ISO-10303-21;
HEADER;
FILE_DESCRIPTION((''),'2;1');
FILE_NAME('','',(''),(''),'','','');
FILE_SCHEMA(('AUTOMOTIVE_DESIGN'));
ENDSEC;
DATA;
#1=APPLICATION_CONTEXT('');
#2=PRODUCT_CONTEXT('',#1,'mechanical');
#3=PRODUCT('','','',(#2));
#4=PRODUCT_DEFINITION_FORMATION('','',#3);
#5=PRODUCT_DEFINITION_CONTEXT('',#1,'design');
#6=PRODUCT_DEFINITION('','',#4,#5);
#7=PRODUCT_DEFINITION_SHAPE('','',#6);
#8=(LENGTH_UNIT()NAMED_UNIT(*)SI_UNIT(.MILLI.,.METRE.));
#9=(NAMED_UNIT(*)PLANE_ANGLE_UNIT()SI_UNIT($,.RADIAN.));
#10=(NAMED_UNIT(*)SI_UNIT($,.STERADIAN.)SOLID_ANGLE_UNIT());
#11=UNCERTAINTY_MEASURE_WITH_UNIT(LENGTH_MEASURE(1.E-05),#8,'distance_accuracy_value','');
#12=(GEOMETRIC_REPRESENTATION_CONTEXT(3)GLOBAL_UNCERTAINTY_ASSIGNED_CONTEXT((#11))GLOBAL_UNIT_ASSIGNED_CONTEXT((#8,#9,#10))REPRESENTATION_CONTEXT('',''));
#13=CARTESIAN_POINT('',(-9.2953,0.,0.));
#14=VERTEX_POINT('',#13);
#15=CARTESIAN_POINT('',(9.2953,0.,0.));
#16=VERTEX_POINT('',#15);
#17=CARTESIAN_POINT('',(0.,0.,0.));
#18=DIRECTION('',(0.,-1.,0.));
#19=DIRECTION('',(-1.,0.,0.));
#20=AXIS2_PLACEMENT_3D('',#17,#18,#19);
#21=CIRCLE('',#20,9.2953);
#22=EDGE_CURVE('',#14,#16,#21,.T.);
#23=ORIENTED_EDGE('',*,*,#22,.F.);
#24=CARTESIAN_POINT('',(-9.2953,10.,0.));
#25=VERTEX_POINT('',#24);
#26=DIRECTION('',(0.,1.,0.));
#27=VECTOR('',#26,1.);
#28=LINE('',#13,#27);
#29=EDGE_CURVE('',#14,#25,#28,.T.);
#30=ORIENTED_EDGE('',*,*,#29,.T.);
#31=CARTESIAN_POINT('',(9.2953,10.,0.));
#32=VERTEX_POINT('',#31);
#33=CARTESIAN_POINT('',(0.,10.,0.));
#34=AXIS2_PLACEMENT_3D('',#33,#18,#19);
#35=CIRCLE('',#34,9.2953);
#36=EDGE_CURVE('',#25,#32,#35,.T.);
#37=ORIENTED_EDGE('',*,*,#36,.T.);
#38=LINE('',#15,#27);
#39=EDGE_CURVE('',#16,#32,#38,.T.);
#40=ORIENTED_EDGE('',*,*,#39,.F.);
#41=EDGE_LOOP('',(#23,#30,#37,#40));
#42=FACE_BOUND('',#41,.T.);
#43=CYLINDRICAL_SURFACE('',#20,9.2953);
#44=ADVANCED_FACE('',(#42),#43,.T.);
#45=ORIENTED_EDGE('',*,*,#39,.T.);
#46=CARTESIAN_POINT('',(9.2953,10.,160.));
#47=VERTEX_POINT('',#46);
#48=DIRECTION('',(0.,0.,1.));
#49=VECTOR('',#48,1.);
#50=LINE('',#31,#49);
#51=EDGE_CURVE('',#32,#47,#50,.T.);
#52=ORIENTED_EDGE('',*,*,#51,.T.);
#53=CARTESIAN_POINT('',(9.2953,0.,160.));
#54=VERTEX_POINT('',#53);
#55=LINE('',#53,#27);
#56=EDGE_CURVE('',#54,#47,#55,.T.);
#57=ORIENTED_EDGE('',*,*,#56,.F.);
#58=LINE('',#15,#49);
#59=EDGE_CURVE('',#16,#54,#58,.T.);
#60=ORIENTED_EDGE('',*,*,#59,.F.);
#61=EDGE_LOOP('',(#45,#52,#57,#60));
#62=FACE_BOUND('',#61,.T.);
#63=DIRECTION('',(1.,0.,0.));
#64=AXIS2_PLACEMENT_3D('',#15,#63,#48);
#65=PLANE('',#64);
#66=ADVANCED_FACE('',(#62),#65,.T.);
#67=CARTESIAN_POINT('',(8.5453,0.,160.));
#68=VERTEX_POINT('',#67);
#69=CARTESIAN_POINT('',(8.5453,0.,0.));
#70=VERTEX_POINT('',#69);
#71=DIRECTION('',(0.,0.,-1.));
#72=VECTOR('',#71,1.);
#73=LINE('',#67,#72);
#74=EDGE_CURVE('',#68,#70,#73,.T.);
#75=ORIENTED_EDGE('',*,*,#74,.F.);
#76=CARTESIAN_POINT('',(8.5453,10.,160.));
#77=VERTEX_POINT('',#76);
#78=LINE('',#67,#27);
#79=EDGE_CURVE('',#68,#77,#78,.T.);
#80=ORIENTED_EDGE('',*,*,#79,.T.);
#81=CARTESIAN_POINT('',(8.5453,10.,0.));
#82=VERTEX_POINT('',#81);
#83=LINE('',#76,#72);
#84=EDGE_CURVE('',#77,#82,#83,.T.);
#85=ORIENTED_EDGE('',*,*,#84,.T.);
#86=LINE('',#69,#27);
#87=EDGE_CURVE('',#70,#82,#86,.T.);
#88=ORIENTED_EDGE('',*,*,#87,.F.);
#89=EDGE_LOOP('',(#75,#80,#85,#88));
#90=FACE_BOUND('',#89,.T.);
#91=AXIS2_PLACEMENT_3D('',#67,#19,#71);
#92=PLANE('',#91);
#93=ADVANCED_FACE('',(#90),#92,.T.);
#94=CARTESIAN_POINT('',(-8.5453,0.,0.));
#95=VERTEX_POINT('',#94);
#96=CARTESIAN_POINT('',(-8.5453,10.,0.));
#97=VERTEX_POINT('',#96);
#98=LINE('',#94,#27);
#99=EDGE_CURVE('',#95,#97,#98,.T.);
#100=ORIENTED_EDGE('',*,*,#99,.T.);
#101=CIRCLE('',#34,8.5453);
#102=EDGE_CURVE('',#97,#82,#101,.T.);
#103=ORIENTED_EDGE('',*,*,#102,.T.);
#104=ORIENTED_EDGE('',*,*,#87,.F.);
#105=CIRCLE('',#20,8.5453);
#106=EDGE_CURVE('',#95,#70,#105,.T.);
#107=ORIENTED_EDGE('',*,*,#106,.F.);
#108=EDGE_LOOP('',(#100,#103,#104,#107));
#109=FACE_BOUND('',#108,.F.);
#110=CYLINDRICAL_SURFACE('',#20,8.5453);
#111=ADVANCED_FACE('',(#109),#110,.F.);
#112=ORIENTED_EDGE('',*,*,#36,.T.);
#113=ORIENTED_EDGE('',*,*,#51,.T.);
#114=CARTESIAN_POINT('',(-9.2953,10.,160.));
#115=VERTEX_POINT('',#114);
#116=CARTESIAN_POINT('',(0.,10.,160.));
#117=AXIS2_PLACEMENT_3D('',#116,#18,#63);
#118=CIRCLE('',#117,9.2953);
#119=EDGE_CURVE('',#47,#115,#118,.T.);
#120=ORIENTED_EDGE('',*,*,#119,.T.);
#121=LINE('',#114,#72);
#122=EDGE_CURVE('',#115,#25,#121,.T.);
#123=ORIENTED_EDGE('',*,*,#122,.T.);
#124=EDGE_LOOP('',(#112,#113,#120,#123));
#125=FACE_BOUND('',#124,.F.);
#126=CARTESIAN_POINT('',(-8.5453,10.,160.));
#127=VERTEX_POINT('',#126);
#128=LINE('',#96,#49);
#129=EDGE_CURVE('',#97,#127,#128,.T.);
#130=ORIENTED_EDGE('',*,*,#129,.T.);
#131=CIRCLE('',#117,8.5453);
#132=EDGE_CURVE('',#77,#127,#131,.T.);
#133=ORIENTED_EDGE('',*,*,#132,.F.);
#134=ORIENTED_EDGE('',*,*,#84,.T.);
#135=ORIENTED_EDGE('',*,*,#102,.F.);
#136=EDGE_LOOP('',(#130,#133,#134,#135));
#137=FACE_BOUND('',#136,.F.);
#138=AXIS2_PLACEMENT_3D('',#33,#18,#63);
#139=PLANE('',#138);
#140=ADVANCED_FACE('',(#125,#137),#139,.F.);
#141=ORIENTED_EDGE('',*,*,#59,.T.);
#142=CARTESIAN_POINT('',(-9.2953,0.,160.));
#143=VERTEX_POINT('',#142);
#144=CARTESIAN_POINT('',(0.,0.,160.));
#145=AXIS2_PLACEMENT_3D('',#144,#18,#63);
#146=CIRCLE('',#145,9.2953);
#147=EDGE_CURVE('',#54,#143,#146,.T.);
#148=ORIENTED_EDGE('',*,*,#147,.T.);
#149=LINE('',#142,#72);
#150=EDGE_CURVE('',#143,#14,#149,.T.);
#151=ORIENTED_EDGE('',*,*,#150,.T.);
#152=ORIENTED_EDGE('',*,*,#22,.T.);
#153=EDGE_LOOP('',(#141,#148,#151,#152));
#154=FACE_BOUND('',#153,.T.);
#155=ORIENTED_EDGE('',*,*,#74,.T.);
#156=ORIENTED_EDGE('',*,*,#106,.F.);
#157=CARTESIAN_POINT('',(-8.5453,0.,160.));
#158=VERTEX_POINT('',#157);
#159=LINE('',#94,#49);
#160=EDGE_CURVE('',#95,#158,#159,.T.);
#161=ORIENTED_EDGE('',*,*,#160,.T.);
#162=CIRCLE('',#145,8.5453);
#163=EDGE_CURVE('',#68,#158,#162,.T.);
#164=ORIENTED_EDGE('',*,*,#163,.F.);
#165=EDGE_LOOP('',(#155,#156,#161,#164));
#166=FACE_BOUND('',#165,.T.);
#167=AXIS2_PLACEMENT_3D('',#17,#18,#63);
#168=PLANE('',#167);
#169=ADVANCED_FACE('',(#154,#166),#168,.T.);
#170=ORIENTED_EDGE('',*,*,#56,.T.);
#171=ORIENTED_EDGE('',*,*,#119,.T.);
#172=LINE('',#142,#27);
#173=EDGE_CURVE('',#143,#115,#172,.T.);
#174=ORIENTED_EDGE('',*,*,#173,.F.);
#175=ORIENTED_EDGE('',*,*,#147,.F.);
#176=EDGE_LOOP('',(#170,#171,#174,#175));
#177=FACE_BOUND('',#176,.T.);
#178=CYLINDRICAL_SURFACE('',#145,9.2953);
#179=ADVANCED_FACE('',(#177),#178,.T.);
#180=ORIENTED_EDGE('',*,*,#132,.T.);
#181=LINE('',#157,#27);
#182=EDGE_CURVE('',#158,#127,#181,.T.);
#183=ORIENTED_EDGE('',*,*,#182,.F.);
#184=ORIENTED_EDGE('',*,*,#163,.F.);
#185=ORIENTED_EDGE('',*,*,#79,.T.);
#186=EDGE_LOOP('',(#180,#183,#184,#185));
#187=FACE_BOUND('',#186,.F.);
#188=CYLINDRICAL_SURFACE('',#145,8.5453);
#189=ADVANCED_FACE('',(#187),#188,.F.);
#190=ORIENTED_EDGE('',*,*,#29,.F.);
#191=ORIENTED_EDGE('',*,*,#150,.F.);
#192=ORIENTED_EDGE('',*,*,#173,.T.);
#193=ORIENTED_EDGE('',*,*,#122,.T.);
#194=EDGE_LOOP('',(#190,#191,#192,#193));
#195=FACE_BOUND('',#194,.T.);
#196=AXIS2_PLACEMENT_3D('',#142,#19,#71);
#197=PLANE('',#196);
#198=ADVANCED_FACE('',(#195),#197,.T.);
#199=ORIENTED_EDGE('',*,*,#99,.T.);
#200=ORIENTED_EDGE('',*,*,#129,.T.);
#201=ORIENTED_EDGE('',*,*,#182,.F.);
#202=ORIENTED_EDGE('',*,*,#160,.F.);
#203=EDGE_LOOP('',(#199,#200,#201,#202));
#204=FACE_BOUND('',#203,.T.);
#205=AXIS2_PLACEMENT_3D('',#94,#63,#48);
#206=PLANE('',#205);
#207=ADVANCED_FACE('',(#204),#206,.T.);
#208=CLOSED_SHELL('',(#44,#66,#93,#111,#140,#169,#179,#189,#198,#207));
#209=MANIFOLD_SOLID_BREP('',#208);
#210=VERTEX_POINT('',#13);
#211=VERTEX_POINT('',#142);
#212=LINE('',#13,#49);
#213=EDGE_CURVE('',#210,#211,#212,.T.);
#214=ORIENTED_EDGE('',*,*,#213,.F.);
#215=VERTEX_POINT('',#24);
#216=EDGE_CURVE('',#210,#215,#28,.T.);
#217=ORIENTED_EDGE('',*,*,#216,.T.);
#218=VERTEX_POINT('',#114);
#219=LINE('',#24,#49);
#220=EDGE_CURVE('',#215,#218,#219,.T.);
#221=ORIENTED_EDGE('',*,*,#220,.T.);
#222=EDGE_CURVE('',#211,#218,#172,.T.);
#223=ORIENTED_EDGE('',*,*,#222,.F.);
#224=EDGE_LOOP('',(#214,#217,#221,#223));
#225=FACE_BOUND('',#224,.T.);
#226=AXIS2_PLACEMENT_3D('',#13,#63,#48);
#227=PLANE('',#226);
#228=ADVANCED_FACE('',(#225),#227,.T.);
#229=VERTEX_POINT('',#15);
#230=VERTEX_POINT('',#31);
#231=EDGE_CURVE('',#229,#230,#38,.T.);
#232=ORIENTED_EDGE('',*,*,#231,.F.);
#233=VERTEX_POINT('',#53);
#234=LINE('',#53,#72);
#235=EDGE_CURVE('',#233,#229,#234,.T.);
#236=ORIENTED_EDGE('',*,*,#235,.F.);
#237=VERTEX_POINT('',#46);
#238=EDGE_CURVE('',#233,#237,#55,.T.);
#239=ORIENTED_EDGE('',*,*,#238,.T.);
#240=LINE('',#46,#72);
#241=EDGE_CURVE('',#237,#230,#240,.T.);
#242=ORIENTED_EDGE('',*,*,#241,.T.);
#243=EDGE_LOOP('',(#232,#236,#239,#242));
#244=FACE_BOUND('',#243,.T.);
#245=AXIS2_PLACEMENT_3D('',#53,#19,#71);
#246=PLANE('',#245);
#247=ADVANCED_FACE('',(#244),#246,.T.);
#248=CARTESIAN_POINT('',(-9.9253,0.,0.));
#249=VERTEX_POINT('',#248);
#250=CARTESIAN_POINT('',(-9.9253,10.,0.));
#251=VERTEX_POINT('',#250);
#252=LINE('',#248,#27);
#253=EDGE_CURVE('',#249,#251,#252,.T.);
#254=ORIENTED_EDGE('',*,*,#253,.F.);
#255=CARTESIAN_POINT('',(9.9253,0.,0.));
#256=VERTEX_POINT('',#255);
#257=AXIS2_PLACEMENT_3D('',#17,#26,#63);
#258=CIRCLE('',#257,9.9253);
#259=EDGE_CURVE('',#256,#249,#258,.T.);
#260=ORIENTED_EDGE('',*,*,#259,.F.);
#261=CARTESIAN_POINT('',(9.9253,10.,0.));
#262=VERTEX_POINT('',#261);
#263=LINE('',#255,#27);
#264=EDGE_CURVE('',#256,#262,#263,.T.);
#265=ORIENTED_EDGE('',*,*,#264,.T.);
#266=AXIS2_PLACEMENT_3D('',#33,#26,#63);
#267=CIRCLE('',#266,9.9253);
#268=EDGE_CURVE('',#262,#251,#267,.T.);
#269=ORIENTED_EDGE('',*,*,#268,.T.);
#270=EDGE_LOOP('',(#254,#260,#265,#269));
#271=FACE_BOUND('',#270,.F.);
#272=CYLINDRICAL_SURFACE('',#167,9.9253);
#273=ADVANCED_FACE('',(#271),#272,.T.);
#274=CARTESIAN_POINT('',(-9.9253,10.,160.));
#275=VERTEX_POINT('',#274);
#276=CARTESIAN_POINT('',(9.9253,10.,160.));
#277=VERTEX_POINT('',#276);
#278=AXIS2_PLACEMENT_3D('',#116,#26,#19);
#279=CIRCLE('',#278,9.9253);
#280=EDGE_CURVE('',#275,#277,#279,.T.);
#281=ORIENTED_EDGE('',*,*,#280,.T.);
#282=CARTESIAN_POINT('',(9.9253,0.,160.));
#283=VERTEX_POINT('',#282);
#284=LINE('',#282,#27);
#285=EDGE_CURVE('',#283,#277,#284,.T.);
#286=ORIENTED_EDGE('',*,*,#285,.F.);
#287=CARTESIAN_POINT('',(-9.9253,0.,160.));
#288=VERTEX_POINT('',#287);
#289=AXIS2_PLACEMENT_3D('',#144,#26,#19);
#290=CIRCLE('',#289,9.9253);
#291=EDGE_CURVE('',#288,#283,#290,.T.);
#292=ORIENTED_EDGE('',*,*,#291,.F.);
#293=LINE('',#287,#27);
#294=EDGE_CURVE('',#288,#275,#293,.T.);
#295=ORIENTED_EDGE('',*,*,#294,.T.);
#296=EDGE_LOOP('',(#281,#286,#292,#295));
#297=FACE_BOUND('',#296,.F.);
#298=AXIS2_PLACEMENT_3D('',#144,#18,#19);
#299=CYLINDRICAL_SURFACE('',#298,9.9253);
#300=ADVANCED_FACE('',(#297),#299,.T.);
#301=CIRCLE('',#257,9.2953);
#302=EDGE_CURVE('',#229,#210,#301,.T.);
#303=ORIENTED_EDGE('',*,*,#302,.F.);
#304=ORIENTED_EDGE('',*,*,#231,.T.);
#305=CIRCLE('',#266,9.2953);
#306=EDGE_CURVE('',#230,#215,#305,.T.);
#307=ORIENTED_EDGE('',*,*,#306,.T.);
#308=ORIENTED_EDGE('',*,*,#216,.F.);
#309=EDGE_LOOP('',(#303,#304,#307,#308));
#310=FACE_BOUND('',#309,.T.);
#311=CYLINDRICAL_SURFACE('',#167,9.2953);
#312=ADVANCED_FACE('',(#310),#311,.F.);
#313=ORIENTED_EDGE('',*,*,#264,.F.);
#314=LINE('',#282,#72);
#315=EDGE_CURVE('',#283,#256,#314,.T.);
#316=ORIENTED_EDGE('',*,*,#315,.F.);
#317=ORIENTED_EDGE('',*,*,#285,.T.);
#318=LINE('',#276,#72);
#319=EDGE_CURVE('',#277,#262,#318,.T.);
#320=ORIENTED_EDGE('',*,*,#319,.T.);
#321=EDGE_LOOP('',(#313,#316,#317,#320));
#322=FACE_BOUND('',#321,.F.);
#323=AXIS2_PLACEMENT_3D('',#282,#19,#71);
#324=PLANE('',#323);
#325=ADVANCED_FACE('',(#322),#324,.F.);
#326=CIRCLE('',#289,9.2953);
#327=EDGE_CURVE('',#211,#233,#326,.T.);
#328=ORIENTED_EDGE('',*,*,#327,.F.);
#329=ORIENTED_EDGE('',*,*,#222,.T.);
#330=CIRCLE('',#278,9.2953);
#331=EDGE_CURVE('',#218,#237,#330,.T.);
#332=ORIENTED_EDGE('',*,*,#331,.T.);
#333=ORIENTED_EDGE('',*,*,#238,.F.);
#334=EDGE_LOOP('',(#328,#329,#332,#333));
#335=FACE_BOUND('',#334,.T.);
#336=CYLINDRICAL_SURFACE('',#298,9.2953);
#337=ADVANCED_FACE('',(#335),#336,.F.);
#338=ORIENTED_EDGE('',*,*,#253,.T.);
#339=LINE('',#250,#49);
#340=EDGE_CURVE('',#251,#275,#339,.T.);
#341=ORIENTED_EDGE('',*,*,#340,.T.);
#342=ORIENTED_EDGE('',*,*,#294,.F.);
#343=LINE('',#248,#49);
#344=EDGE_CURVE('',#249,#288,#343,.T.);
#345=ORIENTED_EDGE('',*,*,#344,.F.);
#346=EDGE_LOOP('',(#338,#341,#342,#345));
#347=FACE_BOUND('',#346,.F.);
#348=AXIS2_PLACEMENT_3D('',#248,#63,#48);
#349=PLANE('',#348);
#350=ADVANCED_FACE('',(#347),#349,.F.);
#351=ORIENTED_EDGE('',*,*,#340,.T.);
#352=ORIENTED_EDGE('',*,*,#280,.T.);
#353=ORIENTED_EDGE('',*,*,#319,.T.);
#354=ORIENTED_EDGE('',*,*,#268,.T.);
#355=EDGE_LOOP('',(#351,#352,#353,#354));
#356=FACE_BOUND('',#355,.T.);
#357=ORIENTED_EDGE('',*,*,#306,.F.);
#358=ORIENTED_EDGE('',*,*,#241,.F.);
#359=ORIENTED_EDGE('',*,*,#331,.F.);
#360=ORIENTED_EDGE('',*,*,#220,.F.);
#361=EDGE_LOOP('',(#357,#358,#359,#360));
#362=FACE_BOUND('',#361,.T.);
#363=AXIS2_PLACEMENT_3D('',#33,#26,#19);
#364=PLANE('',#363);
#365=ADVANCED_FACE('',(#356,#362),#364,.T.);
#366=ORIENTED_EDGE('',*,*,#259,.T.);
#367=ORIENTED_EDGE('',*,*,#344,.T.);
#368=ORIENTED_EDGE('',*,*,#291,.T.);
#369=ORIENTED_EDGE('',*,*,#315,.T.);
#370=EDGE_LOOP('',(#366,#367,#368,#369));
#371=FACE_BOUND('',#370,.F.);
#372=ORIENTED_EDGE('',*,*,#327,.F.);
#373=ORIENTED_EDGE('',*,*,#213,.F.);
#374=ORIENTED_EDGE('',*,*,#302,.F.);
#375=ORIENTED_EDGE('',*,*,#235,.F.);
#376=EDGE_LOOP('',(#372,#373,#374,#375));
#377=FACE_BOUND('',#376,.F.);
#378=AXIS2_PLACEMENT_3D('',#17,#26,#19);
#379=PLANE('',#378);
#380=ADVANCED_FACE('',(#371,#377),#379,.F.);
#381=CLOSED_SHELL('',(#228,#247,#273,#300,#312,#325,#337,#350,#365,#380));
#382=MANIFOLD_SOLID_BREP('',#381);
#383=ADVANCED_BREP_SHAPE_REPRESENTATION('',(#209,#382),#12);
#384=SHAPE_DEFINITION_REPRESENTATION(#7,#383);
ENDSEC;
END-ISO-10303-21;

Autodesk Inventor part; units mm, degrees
ref_plane "YZ Plane" through (0, 0, 0) normal (1, 0, 0) x (0, 1, 0)
ref_plane "XZ Plane" through (0, 0, 0) normal (0, 1, 0) x (-1, 0, 0)
ref_plane "XY Plane" through (0, 0, 0) normal (0, 0, 1) x (1, 0, 0)
sketch "スケッチ1" plane through (0, 0, 0) normal (0, 1, 0) x (-1, 0, 0)
  arc A0 (-9.5493, 0) -> (9.5493, 0) centre (0, 0) ccw construction
  arc A1 (9.5493, 160) -> (-9.5493, 160) centre (0, 160) ccw construction
  line L0 (9.5493, 160) -> (9.5493, 0) construction
  line L1 (-9.5493, 160) -> (-9.5493, 0) construction
  line L2 (9.2953, 0) -> (9.2953, 160)
  arc A2 (9.2953, 160) -> (-9.2953, 160) centre (0, 160) ccw
  line L3 (-9.2953, 160) -> (-9.2953, 0)
  arc A3 (-9.2953, 0) -> (9.2953, 0) centre (0, 0) ccw
  line L4 (9.9253, 0) -> (9.9253, 160)
  arc A4 (9.9253, 160) -> (-9.9253, 160) centre (0, 160) ccw
  line L5 (-9.9253, 160) -> (-9.9253, 0)
  arc A5 (-9.9253, 0) -> (9.9253, 0) centre (0, 0) ccw
  dimension "d0" = 19.0986
  dimension "d1" = 19.0986
  dimension "d2" = 160
  dimension "d3" = 0.254
  dimension "d4" = 0.63
extrude "押し出し1" add sketch "スケッチ1" along normal blind 10
sketch "スケッチ2" plane through (0, 0, 0) normal (0, -1, 0) x (1, 0, 0)
  line L0 (9.2953, 0) -> (9.2953, 160) projected
  arc A0 (9.2953, 160) -> (-9.2953, 160) centre (0, 160) ccw projected
  line L1 (9.2953, 0) -> (9.2953, 160)
  line L2 (-9.2953, 160) -> (-9.2953, 0) projected
  line L3 (-9.2953, 160) -> (-9.2953, 0)
  arc A1 (-9.2953, 0) -> (9.2953, 0) centre (0, 0) ccw projected
  arc A2 (-9.2953, 0) -> (9.2953, 0) centre (0, 0) ccw
  arc A3 (9.2953, 160) -> (-9.2953, 160) centre (0, 160) ccw
  line L4 (8.5453, 160) -> (8.5453, 0)
  arc A4 (-8.5453, 0) -> (8.5453, 0) centre (0, 0) ccw
  line L5 (-8.5453, 0) -> (-8.5453, 160)
  arc A5 (8.5453, 160) -> (-8.5453, 160) centre (0, 160) ccw
  dimension "d7" = 0.75
extrude "押し出し2" add sketch "スケッチ2" against normal blind 10 separate body
equation "\"d1\" = d0"
properties part number "belt1" material "ゴム"
